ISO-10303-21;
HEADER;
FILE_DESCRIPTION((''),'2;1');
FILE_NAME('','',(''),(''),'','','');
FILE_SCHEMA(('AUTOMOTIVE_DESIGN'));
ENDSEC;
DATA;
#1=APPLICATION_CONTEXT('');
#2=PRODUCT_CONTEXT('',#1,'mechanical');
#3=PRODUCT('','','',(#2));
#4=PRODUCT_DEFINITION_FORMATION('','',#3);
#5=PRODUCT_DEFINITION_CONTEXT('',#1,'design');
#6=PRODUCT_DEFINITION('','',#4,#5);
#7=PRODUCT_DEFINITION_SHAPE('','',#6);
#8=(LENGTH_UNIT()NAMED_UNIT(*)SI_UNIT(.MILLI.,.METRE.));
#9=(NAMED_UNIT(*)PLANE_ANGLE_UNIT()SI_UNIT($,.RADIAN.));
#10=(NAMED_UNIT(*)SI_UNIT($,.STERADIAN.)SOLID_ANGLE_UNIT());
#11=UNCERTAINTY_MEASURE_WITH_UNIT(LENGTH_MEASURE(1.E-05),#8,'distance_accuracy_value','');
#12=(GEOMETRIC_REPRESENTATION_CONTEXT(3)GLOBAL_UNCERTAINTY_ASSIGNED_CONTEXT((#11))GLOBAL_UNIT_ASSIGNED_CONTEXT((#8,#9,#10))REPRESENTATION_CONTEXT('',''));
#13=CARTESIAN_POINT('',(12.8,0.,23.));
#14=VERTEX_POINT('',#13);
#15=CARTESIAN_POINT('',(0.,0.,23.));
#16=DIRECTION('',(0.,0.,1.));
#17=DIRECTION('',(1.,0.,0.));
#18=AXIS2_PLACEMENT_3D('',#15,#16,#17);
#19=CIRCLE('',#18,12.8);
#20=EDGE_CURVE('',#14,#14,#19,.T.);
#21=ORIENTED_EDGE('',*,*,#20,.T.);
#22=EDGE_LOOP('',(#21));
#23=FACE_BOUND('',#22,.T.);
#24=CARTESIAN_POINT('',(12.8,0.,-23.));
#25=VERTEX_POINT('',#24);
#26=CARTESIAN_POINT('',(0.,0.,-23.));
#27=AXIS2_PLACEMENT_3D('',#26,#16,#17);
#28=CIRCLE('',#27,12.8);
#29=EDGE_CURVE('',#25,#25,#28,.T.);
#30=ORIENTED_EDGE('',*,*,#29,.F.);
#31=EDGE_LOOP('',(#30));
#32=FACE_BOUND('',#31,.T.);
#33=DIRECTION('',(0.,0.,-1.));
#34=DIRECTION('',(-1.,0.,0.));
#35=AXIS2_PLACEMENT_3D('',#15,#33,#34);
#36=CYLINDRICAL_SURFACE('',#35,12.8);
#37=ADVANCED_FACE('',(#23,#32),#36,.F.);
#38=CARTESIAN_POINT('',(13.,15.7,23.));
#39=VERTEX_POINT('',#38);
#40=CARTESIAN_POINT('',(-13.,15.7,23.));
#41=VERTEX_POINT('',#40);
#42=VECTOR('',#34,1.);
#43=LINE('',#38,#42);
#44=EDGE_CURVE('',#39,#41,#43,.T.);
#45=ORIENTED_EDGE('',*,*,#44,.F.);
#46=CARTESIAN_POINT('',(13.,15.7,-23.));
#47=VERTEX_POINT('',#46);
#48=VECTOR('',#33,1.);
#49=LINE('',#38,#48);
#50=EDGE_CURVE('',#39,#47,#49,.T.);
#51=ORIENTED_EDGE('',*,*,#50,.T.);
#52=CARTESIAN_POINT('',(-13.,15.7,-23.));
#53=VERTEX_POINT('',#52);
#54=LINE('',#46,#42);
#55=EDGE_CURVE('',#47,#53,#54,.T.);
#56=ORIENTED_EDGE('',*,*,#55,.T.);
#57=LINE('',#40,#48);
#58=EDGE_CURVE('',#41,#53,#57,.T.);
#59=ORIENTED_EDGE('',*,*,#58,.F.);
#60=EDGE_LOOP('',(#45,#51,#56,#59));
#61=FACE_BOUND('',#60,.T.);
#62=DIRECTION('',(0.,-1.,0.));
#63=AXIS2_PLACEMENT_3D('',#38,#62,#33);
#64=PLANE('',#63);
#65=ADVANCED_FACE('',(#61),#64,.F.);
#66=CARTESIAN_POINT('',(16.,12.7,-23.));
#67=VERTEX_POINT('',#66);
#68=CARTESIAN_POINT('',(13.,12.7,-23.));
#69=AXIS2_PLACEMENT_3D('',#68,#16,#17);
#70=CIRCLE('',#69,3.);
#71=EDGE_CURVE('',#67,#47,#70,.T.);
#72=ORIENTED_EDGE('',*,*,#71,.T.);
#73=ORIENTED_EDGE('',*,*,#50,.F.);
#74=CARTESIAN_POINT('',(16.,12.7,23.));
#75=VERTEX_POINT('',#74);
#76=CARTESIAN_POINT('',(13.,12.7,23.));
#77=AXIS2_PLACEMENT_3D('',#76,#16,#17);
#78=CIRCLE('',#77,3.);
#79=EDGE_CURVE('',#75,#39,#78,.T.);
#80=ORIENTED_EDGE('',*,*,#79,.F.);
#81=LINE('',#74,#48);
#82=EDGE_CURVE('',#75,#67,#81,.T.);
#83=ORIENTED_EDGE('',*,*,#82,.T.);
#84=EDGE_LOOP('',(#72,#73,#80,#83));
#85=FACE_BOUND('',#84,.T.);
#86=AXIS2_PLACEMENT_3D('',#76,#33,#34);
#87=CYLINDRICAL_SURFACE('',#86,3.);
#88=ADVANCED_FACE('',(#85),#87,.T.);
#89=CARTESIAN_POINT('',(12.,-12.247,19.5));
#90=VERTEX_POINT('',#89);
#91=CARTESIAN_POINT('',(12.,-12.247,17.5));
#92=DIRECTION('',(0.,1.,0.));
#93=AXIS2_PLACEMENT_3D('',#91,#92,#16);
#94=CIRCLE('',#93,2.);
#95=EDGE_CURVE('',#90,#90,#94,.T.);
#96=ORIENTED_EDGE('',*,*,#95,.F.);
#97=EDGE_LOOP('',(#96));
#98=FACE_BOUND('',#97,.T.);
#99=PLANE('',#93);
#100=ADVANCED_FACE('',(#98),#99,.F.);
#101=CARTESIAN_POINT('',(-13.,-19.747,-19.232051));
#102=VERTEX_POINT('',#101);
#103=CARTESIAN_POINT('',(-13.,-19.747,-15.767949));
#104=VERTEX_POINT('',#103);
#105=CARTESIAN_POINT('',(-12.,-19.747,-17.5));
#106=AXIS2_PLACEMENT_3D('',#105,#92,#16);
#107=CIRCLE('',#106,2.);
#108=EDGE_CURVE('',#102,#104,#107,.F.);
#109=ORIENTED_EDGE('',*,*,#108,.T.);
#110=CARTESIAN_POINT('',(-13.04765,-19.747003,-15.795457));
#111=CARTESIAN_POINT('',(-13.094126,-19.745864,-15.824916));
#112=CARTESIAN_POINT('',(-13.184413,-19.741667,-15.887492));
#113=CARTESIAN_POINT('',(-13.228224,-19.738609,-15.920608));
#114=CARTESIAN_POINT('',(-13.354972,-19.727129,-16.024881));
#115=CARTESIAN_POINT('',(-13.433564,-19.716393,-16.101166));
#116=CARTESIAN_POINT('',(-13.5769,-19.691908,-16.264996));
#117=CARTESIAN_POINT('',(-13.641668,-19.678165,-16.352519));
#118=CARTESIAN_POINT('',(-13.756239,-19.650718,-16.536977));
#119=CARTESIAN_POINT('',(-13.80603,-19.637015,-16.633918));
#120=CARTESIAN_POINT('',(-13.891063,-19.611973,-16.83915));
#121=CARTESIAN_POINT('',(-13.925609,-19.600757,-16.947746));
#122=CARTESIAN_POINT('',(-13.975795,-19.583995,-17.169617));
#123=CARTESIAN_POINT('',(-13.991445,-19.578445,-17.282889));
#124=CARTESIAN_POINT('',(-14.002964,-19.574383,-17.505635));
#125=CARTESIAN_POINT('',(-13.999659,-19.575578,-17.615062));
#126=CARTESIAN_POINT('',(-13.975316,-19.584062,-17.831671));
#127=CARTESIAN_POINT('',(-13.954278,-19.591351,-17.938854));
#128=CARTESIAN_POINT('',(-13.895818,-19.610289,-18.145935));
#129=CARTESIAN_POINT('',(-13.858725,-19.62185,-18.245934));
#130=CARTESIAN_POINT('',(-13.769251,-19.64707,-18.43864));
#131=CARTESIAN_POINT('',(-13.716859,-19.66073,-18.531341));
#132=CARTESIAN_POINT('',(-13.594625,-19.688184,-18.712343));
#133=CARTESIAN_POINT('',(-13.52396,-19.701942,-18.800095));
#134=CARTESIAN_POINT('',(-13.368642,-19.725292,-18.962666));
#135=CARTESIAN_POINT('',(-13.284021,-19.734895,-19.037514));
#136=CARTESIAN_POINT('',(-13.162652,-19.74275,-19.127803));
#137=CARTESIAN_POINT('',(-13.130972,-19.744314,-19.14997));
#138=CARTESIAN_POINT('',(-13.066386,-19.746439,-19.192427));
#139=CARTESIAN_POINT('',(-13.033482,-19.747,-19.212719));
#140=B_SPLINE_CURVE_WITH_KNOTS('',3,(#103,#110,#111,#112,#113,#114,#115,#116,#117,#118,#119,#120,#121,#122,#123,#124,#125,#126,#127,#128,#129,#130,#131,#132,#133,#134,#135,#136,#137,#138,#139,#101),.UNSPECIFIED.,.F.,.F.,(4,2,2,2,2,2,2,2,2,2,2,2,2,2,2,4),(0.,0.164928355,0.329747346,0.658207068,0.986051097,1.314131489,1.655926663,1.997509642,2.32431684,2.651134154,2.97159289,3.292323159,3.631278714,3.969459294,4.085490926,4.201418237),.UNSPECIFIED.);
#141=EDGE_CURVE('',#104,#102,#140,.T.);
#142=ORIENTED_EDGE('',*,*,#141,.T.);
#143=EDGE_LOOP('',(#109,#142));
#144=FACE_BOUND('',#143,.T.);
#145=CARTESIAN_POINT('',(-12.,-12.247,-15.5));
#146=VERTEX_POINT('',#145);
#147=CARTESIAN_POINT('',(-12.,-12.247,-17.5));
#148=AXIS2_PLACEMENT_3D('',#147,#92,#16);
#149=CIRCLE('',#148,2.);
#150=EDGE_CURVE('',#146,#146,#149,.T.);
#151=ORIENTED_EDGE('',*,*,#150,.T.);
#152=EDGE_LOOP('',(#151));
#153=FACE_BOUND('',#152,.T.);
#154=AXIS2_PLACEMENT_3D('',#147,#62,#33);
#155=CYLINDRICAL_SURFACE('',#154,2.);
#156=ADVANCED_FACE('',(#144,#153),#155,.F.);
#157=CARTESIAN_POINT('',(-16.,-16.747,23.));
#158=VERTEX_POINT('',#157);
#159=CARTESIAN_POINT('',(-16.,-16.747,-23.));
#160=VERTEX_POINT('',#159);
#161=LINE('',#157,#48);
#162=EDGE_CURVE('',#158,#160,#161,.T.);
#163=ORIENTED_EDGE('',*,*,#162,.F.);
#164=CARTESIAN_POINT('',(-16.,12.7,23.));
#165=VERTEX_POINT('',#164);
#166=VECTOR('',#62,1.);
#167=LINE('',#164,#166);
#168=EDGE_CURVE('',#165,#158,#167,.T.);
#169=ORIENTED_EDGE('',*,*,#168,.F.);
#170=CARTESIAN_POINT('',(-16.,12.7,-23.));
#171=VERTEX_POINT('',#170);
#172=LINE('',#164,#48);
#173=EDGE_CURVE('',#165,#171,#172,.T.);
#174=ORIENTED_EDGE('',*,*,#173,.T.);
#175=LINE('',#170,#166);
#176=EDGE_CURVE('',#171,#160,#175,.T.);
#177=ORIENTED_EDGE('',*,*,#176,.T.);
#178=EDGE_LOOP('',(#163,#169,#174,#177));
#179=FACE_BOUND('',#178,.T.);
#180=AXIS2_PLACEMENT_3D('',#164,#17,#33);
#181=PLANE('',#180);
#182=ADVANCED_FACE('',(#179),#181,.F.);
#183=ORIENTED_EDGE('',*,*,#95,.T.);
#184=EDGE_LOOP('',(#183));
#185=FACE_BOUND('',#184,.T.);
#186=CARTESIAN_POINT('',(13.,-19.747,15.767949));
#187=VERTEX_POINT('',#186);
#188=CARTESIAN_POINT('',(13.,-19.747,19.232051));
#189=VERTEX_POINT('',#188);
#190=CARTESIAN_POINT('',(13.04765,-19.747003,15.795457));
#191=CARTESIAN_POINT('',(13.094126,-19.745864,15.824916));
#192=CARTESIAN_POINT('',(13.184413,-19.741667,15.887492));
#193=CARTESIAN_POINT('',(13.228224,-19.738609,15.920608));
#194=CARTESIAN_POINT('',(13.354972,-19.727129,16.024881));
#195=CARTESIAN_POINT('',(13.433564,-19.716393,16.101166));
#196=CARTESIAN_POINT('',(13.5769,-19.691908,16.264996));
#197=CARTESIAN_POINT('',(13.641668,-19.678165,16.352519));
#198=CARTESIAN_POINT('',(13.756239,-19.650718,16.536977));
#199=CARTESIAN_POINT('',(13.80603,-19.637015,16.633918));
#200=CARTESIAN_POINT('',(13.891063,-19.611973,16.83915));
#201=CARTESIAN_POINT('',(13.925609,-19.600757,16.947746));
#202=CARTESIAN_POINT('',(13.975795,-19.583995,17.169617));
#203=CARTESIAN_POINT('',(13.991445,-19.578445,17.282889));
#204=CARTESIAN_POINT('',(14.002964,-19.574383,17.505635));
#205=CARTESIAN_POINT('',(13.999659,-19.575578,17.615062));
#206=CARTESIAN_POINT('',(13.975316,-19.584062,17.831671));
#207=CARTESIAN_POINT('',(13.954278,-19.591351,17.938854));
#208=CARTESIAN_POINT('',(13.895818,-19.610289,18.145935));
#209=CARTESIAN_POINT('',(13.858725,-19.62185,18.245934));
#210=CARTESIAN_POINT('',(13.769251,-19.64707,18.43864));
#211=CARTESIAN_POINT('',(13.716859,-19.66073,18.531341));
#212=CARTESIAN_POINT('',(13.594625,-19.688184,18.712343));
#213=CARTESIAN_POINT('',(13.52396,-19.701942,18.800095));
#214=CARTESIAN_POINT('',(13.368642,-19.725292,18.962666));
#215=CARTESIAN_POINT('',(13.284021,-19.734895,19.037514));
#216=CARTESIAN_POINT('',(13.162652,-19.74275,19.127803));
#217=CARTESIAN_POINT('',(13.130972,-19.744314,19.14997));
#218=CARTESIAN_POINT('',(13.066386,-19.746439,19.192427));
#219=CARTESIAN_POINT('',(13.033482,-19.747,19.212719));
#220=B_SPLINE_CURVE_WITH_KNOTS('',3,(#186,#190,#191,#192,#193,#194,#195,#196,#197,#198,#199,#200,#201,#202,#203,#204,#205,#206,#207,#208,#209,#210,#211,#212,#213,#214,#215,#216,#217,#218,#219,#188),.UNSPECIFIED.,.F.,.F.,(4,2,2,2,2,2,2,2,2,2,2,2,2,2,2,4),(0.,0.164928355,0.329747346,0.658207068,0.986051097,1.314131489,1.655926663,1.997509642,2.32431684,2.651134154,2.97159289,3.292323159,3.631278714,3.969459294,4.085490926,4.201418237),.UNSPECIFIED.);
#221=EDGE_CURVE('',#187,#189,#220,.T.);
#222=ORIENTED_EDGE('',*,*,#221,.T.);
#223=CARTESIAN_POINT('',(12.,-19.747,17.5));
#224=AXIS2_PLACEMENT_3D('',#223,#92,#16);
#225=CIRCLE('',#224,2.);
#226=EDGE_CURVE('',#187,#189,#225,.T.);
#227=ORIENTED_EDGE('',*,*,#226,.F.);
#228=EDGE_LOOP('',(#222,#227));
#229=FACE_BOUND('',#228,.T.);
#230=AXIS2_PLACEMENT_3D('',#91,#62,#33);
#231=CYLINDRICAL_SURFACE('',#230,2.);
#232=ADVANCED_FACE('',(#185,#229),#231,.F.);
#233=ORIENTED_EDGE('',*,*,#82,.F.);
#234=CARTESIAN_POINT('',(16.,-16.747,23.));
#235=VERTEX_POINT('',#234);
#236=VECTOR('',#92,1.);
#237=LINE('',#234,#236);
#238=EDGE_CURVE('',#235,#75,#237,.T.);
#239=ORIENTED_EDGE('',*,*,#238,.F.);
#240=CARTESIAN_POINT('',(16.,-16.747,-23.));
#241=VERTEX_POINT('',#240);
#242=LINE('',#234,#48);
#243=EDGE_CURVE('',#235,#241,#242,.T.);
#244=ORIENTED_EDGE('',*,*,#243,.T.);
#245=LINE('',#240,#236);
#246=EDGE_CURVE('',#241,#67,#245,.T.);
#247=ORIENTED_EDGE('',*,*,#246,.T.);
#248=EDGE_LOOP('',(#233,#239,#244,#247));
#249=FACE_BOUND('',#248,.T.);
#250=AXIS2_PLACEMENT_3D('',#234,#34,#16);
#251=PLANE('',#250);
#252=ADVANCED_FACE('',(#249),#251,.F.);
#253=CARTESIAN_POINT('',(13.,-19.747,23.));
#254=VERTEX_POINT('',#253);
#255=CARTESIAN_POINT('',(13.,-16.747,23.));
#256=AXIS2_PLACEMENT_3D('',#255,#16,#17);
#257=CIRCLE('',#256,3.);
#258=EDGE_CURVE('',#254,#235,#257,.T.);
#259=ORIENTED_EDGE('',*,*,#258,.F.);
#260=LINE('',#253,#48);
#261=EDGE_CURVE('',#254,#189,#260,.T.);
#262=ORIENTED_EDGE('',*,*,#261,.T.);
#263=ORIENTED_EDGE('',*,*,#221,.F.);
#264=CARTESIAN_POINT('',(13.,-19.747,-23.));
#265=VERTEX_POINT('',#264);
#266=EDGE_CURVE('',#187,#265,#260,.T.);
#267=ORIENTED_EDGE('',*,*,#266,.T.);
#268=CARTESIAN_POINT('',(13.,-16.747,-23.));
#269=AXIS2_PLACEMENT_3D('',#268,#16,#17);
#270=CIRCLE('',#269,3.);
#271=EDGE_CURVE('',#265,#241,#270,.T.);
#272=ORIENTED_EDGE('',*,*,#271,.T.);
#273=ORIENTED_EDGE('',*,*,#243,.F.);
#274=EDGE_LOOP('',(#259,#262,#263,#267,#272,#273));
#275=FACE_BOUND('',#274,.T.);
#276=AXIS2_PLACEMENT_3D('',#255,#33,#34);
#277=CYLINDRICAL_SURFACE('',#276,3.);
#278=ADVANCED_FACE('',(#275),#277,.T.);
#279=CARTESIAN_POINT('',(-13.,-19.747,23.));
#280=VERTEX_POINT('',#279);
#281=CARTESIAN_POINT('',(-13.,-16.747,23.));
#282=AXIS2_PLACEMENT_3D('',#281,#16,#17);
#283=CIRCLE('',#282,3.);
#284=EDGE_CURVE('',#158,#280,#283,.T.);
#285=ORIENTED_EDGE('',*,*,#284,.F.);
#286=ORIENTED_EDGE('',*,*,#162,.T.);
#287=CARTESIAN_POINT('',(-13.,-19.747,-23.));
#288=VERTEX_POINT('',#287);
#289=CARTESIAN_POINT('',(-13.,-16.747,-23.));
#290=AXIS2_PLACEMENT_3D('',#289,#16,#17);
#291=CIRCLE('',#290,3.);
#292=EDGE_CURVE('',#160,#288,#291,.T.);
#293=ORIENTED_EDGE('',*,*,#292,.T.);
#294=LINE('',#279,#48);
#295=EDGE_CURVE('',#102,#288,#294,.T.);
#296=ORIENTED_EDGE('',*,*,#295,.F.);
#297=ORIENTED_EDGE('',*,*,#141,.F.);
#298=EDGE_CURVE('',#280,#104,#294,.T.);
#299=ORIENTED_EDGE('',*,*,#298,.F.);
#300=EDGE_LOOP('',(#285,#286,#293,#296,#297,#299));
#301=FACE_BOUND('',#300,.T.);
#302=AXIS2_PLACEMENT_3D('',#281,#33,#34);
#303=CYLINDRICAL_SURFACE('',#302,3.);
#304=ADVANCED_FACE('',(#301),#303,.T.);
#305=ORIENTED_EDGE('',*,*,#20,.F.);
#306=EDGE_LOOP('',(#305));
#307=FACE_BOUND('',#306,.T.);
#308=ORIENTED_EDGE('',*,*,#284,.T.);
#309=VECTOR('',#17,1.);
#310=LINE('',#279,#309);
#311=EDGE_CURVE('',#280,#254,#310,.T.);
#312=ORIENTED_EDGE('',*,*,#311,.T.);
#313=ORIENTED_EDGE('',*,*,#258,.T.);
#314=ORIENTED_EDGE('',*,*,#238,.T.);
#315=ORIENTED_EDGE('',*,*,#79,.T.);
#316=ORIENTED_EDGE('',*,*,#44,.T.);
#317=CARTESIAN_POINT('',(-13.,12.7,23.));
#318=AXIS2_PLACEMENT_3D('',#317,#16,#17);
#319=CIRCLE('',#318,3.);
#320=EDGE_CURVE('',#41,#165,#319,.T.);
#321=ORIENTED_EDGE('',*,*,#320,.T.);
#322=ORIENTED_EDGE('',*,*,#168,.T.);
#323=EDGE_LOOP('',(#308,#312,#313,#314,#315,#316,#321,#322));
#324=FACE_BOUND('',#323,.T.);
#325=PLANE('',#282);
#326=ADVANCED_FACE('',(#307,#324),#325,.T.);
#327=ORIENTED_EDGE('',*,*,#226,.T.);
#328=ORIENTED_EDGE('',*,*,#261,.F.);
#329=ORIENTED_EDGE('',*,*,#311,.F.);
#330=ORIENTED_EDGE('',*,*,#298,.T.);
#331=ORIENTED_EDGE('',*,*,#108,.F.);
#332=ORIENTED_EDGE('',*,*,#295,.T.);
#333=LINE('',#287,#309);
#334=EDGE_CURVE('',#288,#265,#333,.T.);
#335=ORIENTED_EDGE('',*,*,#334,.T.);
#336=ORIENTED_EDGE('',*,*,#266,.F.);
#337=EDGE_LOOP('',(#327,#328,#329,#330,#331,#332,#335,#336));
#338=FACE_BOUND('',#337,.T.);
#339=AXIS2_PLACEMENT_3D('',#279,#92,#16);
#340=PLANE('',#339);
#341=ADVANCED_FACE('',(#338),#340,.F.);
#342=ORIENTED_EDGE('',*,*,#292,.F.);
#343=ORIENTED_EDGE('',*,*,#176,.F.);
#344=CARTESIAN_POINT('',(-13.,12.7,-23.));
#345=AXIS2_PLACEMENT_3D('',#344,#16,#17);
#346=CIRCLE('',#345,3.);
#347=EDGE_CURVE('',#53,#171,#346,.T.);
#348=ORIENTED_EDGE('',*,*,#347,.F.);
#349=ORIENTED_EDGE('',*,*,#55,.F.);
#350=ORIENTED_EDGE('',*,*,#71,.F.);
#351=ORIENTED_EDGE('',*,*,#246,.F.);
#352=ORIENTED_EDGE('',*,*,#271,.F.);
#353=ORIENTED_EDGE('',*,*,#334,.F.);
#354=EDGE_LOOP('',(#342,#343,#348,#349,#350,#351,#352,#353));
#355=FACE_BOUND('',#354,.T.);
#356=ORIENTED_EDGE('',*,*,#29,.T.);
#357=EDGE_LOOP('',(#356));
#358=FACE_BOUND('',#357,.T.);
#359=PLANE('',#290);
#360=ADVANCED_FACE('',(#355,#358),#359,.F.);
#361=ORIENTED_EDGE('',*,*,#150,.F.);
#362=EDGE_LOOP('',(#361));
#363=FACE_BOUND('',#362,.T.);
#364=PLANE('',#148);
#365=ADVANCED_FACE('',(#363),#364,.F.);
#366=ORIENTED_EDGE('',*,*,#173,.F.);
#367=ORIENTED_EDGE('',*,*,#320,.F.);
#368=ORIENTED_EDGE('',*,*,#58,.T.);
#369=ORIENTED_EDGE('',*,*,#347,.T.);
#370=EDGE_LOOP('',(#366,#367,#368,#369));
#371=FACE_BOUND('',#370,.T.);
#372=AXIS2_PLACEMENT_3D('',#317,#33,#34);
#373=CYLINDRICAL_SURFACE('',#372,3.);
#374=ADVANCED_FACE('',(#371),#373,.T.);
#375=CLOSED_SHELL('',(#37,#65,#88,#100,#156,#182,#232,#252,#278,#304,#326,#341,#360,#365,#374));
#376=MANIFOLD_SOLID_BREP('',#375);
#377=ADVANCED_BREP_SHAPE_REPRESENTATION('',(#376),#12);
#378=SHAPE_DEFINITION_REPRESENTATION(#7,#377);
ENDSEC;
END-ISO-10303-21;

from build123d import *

# Parameters (mm, degrees)
SKETCH1_R           = 12.8
BOSS_EXTRUDE1_DEPTH = 23
SKETCH2_R           = 2
CUT_EXTRUDE1_DEPTH  = 7.5


with BuildPart() as part:
    # Sketch1 → Boss-Extrude1 (new, symmetric)
    with BuildSketch(Plane.XY):
        with BuildLine():
            Line((-13, -19.747), (13, -19.747))
            ThreePointArc((13, -19.747), (15.121320344, -18.868320344), (16, -16.747))
            Line((16, -16.747), (16, 12.7))
            ThreePointArc((16, 12.7), (15.121320344, 14.821320344), (13, 15.7))
            Line((13, 15.7), (-13, 15.7))
            ThreePointArc((-13, 15.7), (-15.121320344, 14.821320344), (-16, 12.7))
            Line((-16, 12.7), (-16, -16.747))
            ThreePointArc((-16, -16.747), (-15.121320344, -18.868320344), (-13, -19.747))
        make_face()
        Circle(SKETCH1_R, mode=Mode.SUBTRACT)
    extrude(amount=BOSS_EXTRUDE1_DEPTH, both=True)

    # Sketch2 → Cut-Extrude1 (cut)
    with BuildSketch(Plane(origin=(0, -19.747, 0), x_dir=(1, 0, 0), z_dir=(0, 1, 0))):
        with Locations(Location((12, -17.5, 0), (0, 0, 60))):
            Circle(SKETCH2_R)
        with Locations(Location((-12, 17.5, 0), (0, 0, 120))):
            Circle(SKETCH2_R)
    extrude(amount=CUT_EXTRUDE1_DEPTH, mode=Mode.SUBTRACT)


solid = part.part
